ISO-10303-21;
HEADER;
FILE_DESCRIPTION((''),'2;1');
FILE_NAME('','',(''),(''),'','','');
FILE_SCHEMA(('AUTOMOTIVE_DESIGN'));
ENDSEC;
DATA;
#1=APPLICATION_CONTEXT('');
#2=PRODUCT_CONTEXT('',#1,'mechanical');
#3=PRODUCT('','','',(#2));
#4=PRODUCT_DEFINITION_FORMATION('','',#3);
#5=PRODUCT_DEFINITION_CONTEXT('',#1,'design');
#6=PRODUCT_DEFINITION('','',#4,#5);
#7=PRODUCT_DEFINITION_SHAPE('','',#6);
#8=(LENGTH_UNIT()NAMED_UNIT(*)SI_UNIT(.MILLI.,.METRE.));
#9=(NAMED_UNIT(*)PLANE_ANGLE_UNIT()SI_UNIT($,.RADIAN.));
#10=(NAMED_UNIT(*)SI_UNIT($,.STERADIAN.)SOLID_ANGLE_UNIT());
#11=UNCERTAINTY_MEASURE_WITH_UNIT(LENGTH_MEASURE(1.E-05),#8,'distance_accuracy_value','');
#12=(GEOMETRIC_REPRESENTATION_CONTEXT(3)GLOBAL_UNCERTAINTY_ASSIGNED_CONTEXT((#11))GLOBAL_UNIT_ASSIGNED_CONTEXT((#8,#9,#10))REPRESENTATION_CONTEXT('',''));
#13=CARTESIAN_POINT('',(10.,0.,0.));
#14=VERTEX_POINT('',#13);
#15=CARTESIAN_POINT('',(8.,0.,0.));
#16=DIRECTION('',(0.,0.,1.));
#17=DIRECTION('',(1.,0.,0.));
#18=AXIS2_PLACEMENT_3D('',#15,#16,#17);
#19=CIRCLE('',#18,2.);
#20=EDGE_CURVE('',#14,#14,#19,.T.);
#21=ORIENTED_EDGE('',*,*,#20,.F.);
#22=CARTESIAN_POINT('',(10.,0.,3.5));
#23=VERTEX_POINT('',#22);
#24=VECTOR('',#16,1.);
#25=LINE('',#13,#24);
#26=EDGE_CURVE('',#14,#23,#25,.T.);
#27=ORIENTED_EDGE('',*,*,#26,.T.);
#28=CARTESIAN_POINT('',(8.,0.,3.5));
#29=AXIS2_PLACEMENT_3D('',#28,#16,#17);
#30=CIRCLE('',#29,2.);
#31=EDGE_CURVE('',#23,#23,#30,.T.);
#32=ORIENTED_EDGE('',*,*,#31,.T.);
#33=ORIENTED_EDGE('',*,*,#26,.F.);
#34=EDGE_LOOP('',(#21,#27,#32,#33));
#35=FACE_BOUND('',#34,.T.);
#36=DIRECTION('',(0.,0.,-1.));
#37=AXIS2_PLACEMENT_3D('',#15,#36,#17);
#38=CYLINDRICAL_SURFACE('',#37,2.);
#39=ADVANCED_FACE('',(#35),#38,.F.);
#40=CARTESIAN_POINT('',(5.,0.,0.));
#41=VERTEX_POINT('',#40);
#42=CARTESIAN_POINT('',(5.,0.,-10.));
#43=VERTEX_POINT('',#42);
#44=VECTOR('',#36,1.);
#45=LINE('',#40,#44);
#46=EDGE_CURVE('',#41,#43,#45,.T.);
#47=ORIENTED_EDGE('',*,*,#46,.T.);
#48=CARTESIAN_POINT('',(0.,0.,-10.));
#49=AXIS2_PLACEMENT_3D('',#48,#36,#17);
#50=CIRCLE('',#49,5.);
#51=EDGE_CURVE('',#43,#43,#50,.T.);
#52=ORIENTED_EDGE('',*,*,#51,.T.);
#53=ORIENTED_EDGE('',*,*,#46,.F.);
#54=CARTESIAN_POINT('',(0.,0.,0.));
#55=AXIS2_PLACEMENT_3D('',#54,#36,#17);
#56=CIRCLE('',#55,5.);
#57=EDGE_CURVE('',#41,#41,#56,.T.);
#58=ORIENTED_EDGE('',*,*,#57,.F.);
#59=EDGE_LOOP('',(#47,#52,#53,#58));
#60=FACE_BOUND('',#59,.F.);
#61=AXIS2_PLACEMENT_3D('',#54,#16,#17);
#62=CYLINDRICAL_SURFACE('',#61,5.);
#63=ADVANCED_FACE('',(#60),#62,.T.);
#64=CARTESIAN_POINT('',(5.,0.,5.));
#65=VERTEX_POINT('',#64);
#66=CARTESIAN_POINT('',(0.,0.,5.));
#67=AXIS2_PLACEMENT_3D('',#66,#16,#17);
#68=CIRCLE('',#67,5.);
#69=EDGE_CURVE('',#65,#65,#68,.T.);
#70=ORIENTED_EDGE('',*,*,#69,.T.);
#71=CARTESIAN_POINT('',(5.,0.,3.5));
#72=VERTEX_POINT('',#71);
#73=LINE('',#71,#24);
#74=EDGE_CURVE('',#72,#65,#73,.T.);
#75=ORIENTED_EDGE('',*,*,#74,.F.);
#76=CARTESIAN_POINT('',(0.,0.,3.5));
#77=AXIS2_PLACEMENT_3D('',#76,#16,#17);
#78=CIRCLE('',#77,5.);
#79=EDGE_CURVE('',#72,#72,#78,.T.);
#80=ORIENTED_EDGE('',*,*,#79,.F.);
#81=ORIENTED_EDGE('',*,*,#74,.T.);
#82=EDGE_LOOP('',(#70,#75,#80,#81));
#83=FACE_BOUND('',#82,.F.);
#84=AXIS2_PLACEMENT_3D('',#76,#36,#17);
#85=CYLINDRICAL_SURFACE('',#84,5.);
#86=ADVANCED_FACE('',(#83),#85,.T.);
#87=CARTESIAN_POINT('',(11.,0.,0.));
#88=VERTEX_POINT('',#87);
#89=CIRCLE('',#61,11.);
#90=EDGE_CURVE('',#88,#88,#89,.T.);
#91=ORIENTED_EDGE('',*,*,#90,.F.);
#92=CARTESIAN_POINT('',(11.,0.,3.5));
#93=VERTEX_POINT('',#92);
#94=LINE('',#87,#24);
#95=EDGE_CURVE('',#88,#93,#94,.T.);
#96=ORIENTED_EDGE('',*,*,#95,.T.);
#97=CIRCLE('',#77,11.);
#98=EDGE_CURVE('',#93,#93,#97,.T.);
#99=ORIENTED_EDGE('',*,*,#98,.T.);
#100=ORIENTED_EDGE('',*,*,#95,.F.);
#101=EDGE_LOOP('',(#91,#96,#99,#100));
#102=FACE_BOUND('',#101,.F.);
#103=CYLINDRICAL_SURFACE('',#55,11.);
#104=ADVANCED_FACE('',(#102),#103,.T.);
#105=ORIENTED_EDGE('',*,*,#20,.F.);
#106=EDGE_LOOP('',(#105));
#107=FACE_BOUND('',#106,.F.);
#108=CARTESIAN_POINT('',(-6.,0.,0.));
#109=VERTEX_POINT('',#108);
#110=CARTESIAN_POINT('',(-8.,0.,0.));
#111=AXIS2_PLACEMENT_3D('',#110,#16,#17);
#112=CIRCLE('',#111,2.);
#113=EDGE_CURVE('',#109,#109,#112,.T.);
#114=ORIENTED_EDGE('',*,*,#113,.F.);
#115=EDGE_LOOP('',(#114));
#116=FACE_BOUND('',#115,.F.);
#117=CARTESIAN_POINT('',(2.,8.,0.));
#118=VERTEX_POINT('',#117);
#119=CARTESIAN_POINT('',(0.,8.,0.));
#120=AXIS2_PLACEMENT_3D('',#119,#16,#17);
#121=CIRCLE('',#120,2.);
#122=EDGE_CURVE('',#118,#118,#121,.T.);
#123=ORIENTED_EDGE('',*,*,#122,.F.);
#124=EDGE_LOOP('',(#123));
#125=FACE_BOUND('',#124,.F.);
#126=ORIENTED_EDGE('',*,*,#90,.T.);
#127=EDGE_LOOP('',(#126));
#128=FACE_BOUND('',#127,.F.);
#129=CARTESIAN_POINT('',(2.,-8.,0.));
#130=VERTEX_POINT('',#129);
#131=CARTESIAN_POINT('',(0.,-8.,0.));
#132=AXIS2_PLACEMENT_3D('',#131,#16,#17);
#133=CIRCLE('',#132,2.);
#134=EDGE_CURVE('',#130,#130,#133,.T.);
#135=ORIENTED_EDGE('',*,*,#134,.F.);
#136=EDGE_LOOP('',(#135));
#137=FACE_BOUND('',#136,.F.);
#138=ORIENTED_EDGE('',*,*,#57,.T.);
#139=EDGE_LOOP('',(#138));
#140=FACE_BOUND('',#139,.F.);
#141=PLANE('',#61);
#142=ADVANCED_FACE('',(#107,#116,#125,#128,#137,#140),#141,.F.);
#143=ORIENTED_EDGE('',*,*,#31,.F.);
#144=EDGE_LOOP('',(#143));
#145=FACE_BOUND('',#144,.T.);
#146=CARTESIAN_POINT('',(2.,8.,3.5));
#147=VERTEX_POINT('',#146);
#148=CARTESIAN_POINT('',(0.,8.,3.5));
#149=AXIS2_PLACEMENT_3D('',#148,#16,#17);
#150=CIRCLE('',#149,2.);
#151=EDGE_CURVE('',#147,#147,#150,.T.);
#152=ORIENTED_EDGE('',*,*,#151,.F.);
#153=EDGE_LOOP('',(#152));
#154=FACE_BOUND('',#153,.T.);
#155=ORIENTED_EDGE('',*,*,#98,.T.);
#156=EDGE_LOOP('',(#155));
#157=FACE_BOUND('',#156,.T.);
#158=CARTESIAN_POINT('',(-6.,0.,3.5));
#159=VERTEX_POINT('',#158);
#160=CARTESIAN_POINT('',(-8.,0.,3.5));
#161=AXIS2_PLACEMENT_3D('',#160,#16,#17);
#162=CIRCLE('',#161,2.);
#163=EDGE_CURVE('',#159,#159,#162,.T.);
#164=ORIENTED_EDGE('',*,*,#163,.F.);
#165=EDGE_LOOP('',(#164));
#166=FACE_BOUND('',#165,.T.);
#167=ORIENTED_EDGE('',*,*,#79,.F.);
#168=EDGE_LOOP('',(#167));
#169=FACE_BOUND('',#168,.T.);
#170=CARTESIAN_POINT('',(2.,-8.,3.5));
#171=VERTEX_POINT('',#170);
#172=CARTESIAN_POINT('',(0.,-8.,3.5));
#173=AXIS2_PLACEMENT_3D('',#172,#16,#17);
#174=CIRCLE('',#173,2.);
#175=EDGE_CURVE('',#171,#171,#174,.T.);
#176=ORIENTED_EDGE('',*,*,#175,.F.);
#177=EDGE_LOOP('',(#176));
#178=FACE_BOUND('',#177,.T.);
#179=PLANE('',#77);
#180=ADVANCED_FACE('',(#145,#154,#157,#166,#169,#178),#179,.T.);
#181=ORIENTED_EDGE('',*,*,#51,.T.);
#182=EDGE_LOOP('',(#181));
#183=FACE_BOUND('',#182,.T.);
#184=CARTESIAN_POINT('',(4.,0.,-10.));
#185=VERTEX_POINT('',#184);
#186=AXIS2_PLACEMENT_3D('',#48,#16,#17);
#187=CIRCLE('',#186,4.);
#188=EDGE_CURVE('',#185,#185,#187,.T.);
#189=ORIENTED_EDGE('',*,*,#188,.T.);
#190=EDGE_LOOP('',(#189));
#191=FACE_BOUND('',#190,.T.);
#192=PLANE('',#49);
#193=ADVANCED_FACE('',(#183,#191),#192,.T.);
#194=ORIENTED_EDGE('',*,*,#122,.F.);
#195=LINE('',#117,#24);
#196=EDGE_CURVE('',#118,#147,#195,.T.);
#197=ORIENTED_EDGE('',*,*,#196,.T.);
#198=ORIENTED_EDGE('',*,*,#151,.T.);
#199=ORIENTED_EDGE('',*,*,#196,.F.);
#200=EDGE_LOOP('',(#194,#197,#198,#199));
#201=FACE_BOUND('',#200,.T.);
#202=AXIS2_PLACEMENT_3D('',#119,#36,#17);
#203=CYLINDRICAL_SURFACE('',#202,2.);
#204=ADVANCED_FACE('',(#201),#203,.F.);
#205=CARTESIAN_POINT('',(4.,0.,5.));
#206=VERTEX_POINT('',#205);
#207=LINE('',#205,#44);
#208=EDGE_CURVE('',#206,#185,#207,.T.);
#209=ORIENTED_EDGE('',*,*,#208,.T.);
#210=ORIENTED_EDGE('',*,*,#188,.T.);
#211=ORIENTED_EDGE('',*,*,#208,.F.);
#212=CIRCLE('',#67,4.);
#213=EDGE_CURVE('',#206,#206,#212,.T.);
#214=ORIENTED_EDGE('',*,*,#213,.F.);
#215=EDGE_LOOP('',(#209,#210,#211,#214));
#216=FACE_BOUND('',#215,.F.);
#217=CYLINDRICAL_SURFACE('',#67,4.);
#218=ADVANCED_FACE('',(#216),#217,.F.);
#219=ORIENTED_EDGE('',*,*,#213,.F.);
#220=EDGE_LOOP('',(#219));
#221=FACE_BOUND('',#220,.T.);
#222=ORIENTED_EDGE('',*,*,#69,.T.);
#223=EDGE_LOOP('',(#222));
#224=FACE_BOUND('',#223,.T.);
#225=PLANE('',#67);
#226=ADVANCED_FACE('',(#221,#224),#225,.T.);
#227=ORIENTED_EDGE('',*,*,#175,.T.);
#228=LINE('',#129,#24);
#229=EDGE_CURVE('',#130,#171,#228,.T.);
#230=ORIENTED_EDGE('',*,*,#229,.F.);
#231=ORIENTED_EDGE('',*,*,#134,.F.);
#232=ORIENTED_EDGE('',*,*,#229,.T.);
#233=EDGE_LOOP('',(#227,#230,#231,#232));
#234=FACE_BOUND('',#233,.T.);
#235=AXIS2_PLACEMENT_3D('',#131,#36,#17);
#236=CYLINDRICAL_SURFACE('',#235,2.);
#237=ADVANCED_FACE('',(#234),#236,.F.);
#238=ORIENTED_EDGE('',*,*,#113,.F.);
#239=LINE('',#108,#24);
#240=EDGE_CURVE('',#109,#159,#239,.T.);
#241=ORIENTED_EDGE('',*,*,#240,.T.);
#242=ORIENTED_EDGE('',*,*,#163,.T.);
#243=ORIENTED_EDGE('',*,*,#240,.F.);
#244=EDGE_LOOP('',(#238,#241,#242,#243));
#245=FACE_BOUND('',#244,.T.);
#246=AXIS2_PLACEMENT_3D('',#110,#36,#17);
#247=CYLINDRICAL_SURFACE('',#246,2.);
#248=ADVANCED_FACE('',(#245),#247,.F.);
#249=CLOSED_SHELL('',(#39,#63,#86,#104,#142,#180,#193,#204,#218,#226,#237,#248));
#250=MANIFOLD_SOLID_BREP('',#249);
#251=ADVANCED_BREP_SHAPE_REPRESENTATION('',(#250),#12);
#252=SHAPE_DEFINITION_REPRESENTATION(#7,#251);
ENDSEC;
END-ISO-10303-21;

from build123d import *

# Parameters (mm, degrees)
F0_R     = 11
F0_R_2   = 2
F1_DEPTH = 3.5
F2_R     = 5
F3_DEPTH = 1.5
F4_R     = 5
F5_DEPTH = 10
F6_R     = 4
F7_DEPTH = 15


with BuildPart() as f1:
    # F0 (on Top) → F1 (new body)
    with BuildSketch(Plane.XY):
        Circle(F0_R)
        with Locations((0, -8)):
            Circle(F0_R_2, mode=Mode.SUBTRACT)
        with Locations((-8, 0)):
            Circle(F0_R_2, mode=Mode.SUBTRACT)
        with Locations((8, 0)):
            Circle(F0_R_2, mode=Mode.SUBTRACT)
        with Locations((0, 8)):
            Circle(F0_R_2, mode=Mode.SUBTRACT)
    extrude(amount=F1_DEPTH)

    # F2 (on face) → F3 (join)
    with BuildSketch(Plane.XY.offset(3.5)):
        Circle(F2_R)
    extrude(amount=F3_DEPTH)

    # F4 (on face) → F5 (join)
    with BuildSketch(Plane(origin=(0, 0, 0), x_dir=(1, 0, 0), z_dir=(0, 0, -1))):
        Circle(F4_R)
    extrude(amount=F5_DEPTH)

    # F6 (on face) → F7 (cut, through all)
    with BuildSketch(Plane.XY.offset(5)):
        Circle(F6_R)
    extrude(amount=-F7_DEPTH, mode=Mode.SUBTRACT)


solid = f1.part
